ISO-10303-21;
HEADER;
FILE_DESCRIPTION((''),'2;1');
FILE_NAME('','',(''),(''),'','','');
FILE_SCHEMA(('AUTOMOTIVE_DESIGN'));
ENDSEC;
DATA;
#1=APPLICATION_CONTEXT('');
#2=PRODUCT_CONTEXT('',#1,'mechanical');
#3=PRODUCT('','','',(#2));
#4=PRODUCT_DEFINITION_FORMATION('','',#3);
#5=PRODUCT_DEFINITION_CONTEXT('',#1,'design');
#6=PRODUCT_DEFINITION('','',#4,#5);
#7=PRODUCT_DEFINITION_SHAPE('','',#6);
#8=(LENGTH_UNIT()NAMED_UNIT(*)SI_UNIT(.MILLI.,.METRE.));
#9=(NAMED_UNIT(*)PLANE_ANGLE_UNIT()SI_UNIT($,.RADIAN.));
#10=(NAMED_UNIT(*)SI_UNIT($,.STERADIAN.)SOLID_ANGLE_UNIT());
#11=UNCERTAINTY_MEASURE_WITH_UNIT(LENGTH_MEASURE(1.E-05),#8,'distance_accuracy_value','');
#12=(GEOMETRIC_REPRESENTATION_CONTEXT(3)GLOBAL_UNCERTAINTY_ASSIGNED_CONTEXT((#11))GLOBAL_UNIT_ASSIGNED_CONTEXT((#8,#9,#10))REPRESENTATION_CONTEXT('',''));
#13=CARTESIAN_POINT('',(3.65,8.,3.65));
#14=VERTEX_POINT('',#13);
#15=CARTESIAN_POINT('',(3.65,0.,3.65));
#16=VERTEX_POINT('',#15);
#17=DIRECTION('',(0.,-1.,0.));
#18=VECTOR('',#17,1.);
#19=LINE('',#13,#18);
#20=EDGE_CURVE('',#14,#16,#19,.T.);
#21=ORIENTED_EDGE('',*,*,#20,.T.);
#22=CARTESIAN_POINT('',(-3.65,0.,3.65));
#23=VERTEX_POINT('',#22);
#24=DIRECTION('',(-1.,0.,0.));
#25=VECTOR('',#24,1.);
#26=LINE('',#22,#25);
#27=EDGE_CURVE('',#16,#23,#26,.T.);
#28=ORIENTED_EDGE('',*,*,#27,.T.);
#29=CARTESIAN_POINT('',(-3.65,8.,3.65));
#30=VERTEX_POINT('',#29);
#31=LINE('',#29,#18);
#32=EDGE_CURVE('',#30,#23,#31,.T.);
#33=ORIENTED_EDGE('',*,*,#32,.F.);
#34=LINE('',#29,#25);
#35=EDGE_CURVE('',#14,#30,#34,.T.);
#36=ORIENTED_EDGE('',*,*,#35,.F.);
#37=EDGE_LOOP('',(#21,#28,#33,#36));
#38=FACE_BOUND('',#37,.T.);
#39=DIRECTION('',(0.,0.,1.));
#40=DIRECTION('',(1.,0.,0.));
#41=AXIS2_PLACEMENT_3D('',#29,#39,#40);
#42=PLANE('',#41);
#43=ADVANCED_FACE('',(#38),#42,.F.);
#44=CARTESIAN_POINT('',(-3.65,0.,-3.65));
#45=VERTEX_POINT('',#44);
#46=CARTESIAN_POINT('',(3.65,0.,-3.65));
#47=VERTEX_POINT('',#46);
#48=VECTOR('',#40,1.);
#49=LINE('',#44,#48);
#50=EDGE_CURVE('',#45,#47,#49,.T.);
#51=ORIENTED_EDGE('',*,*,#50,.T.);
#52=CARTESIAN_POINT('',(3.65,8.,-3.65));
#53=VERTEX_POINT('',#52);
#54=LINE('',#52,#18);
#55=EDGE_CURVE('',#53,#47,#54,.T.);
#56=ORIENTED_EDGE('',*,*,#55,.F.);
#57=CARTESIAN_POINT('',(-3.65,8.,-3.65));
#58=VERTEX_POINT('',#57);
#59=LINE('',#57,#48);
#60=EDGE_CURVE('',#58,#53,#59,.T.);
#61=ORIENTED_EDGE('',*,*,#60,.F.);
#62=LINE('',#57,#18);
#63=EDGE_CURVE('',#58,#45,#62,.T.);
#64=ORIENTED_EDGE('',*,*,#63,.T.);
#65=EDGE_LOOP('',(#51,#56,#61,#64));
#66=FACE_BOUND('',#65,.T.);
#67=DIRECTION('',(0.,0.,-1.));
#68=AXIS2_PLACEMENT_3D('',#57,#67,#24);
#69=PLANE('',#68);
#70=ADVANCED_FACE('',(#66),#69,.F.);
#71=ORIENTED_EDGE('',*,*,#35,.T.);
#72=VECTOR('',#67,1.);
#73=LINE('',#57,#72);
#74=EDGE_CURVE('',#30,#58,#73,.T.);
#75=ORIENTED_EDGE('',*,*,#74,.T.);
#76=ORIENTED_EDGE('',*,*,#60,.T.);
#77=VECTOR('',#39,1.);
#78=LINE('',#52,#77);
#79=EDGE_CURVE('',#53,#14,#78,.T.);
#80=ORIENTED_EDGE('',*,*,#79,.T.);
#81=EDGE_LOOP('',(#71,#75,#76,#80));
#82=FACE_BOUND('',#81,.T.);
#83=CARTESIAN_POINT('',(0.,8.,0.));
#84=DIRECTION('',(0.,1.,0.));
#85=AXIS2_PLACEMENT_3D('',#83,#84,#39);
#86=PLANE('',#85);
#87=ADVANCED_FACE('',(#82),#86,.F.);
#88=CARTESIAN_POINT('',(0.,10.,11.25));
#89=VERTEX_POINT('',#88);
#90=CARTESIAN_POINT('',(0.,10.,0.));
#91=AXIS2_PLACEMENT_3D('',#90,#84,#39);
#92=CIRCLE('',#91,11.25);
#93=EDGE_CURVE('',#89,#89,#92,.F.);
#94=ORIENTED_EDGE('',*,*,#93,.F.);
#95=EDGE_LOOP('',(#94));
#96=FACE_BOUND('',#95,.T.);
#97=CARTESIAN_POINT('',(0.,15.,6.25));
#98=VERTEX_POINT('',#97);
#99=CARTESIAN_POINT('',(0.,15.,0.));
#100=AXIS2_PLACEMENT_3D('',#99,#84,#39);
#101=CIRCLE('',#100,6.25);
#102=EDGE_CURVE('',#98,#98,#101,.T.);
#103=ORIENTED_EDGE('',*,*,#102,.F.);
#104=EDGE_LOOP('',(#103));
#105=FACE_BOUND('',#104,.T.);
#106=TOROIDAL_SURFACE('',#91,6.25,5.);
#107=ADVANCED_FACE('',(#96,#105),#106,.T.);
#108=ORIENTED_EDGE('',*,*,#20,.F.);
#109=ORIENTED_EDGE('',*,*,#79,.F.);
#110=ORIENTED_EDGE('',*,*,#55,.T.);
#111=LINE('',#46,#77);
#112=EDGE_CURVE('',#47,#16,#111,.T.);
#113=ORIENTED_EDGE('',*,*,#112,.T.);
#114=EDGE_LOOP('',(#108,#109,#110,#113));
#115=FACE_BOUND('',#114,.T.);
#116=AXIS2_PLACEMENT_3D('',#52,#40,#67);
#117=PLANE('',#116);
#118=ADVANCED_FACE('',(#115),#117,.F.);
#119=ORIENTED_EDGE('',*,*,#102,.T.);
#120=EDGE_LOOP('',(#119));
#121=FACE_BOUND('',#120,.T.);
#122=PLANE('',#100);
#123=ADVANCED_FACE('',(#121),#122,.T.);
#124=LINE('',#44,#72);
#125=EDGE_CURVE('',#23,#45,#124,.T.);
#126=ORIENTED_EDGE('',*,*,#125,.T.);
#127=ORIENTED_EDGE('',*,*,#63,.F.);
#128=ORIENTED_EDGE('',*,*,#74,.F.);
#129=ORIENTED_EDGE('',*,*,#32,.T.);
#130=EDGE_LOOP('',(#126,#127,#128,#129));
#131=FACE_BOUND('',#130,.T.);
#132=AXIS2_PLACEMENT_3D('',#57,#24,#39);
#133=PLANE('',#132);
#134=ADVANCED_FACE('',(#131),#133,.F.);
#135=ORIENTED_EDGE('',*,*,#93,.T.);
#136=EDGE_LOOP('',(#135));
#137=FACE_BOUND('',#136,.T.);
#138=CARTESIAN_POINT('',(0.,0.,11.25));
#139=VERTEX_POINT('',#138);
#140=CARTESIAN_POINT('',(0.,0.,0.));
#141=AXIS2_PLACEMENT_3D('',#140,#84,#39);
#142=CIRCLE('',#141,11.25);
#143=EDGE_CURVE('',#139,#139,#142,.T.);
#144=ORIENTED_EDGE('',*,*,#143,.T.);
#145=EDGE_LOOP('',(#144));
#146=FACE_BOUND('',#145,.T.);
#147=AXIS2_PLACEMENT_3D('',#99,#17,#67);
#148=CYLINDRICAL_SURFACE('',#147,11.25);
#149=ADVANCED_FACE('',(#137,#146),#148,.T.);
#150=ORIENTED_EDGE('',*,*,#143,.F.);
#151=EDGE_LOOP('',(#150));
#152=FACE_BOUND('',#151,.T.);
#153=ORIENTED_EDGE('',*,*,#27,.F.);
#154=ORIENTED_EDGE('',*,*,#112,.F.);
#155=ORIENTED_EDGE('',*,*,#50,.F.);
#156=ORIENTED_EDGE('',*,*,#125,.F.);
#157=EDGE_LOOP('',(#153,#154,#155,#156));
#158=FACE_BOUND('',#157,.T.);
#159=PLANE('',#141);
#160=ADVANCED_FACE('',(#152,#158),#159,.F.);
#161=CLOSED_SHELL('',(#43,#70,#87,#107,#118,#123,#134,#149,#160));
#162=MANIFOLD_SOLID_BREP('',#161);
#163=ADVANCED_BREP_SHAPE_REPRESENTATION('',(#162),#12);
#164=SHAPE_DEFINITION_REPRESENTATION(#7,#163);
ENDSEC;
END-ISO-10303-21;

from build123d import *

# Parameters (mm, degrees)
SKETCH_1_R          = 11.25
EXTRUDE_1_DEPTH     = 15
FILLET_1_R          = 5
SKETCH_2_W          = 7.3
SKETCH_2_H          = 7.3
CUT_EXTRUDE_1_DEPTH = 8


with BuildPart() as part:
    # 草图1 → 凸台-拉伸1 (new body)
    with BuildSketch(Plane(origin=(0, 0, 0), x_dir=(1, 0, 0), z_dir=(0, 1, 0))):
        with Locations(Location((0, 0, 0), (0, 0, 270))):
            Circle(SKETCH_1_R)
    extrude(amount=EXTRUDE_1_DEPTH)

    # 圆角1
    fillet_1_edges = [part.edges().sort_by_distance(p)[0] for p in [
        (0, 15, -11.25),
    ]]
    fillet(fillet_1_edges, radius=FILLET_1_R)

    # 草图2 → 切除-拉伸1 (cut)
    with BuildSketch(Plane.XZ):
        Rectangle(SKETCH_2_W, SKETCH_2_H)
    extrude(amount=-CUT_EXTRUDE_1_DEPTH, mode=Mode.SUBTRACT)


solid = part.part
